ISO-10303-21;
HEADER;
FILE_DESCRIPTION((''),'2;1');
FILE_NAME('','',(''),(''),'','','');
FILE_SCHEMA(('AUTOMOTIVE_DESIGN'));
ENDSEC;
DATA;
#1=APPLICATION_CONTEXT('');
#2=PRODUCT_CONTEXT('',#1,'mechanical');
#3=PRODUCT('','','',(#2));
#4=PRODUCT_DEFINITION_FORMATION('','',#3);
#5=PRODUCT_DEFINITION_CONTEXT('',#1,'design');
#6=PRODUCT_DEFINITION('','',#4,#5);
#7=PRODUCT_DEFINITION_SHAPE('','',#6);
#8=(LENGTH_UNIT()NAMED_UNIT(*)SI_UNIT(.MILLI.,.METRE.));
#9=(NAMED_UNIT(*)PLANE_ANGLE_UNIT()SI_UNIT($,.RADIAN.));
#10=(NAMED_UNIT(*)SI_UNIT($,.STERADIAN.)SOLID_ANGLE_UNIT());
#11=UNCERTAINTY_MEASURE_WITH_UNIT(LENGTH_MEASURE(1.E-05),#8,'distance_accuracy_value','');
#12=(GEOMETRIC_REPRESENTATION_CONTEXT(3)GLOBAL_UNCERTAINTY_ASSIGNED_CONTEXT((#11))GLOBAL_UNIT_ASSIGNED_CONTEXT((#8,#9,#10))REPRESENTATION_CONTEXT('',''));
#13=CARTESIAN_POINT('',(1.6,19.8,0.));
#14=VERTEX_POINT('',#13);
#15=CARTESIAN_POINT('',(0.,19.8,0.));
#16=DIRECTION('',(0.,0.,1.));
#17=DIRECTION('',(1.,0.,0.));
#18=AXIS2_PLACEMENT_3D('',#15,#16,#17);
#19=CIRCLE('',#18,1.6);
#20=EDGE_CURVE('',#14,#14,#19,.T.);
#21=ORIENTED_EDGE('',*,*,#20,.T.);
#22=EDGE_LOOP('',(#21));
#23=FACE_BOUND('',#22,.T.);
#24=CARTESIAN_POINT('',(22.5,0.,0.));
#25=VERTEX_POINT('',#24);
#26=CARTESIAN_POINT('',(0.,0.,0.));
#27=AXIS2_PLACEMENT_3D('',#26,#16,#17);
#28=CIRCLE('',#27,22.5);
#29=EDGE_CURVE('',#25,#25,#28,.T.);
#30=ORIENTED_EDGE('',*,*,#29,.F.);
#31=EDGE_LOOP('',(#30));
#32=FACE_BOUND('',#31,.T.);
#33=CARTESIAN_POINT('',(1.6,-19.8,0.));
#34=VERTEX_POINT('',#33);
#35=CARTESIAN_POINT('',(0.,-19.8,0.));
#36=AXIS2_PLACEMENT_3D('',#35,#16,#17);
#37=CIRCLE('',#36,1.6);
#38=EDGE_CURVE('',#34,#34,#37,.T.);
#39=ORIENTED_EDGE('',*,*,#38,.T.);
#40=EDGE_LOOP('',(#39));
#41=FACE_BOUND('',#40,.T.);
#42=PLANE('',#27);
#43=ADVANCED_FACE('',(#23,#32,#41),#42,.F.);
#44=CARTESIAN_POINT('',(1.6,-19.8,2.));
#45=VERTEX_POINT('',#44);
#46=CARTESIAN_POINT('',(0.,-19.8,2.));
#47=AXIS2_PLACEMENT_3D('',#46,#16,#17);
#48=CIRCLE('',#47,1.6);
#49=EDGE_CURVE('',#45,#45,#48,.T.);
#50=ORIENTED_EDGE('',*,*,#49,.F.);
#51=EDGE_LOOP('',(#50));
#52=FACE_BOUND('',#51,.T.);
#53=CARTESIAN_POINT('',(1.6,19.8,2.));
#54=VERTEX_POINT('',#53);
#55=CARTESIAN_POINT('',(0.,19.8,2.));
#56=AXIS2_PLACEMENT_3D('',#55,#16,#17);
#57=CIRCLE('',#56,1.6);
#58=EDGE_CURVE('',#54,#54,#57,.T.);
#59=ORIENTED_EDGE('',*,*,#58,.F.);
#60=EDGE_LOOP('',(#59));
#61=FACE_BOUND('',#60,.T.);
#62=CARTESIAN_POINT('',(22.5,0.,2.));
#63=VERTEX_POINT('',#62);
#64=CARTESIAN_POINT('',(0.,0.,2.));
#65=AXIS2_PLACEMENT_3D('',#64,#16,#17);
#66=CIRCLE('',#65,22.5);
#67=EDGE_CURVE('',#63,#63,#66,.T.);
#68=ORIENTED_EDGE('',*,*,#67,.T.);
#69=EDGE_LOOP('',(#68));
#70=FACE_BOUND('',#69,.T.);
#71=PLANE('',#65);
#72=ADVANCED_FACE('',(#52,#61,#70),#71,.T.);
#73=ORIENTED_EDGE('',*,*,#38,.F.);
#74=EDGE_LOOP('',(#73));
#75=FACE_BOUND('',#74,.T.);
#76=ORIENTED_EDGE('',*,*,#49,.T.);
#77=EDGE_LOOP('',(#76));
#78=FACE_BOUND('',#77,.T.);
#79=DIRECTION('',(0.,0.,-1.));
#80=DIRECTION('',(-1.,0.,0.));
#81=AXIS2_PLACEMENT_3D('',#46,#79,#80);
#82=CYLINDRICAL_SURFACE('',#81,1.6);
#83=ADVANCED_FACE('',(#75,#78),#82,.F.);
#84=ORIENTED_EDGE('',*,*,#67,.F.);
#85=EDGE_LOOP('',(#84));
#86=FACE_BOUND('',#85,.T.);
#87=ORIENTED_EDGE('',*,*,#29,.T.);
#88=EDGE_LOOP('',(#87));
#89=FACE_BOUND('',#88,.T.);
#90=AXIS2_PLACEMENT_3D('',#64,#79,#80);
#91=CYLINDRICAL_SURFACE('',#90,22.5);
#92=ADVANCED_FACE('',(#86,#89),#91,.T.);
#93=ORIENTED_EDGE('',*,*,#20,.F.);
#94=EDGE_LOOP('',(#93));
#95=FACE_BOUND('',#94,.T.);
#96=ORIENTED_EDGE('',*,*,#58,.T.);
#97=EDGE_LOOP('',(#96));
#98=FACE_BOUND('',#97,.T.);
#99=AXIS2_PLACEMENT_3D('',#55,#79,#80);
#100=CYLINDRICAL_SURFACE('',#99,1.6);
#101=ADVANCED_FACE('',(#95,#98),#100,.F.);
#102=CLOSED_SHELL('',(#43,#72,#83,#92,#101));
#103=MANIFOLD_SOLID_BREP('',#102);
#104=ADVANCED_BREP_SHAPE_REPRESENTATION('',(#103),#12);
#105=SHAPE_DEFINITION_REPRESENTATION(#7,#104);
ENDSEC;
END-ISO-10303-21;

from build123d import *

# Parameters (mm, degrees)
SKETCH_1_R      = 22.5
SKETCH_1_R_2    = 1.6
EXTRUDE_1_DEPTH = 2


with BuildPart() as part:
    # 草图1 → 凸台-拉伸1 (new body)
    with BuildSketch(Plane.XY):
        Circle(SKETCH_1_R)
        with Locations((0, 19.8)):
            Circle(SKETCH_1_R_2, mode=Mode.SUBTRACT)
        with Locations((0, -19.8)):
            Circle(SKETCH_1_R_2, mode=Mode.SUBTRACT)
    extrude(amount=EXTRUDE_1_DEPTH)


solid = part.part
